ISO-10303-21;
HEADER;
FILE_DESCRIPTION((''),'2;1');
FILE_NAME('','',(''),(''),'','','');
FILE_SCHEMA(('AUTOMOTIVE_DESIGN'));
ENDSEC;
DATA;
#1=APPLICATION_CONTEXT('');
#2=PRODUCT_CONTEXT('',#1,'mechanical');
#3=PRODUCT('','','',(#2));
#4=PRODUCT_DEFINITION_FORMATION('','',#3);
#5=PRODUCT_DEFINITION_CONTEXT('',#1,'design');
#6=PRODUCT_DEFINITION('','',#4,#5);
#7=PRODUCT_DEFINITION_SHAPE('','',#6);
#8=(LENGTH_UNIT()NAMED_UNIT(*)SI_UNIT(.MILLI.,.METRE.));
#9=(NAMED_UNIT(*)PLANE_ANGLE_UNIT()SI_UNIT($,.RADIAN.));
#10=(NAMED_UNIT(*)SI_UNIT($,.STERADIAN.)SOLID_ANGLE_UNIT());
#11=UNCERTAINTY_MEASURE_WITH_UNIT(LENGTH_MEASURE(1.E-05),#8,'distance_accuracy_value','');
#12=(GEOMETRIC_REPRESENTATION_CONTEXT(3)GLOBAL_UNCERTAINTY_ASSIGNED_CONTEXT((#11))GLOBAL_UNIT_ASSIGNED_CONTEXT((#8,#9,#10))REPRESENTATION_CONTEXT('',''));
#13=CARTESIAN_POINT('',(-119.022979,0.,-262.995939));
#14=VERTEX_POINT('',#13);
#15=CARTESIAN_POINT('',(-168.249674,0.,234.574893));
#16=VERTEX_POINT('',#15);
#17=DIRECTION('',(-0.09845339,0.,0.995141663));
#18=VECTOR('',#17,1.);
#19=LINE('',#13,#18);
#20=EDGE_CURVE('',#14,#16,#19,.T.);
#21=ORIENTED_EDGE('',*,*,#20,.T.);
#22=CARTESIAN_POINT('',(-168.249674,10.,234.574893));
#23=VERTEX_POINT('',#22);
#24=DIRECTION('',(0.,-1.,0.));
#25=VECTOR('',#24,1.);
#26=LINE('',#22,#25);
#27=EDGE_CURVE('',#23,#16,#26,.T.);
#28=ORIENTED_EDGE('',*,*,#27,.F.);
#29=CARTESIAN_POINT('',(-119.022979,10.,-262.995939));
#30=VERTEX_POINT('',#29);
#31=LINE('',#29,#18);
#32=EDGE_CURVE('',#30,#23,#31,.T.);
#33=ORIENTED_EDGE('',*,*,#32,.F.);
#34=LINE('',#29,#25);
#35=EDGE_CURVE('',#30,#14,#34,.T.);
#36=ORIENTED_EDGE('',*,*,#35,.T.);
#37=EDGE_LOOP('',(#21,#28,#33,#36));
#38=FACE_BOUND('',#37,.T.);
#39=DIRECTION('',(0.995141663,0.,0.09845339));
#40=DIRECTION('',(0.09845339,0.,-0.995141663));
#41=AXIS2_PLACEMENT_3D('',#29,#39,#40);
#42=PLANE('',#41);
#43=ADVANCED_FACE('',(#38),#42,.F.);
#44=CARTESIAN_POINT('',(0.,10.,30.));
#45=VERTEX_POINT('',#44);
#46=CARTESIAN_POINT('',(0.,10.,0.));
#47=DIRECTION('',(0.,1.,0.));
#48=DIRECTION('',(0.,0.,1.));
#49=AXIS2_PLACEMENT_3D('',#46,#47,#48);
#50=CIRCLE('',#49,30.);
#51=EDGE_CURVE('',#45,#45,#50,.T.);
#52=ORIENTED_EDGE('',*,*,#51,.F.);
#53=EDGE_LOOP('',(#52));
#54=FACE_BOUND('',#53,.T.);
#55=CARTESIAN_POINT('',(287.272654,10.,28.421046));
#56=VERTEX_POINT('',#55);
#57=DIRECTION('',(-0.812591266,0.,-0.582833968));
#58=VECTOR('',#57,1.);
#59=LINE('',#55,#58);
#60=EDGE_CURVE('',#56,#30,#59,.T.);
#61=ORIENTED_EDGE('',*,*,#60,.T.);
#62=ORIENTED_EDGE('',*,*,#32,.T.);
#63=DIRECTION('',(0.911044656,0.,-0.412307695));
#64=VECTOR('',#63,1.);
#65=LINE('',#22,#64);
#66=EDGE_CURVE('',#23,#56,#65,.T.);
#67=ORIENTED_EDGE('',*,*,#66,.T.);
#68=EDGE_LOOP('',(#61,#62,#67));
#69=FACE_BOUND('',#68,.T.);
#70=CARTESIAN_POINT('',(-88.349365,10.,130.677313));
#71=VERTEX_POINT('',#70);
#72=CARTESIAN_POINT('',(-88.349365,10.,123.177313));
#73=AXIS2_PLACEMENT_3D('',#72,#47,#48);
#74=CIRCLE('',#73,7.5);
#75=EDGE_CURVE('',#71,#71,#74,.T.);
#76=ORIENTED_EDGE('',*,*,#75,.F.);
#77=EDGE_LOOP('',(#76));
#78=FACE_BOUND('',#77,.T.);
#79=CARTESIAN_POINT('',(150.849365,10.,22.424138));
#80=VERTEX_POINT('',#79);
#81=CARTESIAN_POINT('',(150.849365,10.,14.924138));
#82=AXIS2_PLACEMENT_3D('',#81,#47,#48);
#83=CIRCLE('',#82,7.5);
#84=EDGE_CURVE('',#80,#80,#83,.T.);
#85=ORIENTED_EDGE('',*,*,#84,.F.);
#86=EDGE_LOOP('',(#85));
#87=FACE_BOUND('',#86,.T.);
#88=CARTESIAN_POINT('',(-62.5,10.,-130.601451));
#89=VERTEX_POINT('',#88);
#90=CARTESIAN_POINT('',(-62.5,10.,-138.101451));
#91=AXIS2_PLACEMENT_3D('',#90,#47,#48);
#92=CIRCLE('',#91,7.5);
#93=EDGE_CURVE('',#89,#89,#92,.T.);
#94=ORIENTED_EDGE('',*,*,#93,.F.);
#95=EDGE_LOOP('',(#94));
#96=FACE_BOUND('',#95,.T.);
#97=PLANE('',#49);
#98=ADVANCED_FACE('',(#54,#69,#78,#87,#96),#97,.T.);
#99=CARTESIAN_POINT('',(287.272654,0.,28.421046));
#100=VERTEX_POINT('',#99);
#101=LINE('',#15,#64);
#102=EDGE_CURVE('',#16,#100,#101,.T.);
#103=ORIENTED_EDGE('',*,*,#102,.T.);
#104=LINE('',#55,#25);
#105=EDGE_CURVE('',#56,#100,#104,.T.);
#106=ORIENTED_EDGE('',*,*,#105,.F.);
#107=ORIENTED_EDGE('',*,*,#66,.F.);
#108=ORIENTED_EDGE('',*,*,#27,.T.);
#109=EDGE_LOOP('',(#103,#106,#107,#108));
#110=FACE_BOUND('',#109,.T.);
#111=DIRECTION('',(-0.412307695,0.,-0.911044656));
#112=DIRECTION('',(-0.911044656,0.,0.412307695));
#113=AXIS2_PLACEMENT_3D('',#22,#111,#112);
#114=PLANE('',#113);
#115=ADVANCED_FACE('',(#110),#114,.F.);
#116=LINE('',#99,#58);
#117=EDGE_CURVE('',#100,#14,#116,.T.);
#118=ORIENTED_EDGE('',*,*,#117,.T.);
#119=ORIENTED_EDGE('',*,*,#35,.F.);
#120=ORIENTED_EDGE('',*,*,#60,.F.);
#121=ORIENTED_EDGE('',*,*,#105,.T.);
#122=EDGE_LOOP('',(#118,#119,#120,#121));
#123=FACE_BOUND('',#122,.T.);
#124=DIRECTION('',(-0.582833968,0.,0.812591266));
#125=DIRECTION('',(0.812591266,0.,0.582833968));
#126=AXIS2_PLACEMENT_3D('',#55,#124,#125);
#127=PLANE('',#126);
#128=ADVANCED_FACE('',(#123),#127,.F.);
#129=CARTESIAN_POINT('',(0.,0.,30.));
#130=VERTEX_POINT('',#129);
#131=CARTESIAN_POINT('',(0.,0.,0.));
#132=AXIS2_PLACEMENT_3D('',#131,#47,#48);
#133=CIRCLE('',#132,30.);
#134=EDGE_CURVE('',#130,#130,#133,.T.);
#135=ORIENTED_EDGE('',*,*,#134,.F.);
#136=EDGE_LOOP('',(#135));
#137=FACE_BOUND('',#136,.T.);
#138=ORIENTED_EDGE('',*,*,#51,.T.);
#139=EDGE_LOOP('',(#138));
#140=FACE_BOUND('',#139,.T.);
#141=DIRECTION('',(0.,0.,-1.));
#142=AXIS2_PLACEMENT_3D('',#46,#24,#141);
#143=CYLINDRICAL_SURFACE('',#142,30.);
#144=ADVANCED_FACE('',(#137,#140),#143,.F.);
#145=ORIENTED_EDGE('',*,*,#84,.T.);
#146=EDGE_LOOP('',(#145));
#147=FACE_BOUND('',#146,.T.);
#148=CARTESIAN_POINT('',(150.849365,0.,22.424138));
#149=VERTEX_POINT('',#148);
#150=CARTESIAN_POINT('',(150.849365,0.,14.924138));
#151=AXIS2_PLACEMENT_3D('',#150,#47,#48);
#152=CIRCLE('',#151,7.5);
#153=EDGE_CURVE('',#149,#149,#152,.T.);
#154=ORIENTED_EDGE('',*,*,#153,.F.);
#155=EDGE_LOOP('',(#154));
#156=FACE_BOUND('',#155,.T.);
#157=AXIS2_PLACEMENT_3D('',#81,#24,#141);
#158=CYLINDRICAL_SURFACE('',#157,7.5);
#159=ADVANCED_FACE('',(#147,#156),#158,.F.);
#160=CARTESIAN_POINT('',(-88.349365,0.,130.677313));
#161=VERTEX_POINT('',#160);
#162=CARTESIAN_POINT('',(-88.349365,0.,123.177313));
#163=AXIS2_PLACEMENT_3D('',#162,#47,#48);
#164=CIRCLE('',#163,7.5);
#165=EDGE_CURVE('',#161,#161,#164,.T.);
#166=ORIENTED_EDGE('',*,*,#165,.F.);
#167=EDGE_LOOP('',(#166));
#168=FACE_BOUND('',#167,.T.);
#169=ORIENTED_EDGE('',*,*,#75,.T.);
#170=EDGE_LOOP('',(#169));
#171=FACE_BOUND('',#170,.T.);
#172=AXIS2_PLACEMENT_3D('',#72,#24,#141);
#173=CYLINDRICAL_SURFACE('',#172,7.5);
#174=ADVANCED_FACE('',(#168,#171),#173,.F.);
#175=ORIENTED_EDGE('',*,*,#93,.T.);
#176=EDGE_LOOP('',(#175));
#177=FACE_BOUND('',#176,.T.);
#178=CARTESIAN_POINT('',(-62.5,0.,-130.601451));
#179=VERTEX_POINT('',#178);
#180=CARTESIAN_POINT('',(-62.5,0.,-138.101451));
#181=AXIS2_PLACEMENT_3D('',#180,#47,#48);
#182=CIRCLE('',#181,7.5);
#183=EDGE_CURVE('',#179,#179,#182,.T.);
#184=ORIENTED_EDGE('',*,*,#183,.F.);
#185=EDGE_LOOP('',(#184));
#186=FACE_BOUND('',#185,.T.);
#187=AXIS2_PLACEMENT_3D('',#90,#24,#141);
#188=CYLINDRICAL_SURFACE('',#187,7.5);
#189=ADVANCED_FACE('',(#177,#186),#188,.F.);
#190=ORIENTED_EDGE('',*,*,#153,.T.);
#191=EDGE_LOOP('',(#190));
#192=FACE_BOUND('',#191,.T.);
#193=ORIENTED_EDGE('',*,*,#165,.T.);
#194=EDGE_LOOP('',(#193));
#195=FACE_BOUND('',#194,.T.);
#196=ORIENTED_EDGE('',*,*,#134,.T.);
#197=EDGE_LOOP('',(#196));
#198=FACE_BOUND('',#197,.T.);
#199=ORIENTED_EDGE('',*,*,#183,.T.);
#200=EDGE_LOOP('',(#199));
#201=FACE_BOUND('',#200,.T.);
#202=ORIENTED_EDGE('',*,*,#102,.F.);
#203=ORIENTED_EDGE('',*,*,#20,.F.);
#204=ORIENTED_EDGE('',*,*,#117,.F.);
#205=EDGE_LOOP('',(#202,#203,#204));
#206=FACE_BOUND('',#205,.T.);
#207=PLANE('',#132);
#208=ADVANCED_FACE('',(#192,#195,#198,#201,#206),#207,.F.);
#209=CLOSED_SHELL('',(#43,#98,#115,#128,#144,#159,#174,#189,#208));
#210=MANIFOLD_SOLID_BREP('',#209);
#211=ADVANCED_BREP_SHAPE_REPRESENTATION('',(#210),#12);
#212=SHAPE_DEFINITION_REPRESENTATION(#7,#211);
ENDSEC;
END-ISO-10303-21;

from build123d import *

# Parameters (mm, degrees)
SKETCH1_R           = 7.5
SKETCH1_R_2         = 30
BOSS_EXTRUDE1_DEPTH = 10


with BuildPart() as part:
    # Sketch1 → Boss-Extrude1 (new body)
    with BuildSketch(Plane(origin=(0, 0, 0), x_dir=(1, 0, 0), z_dir=(0, 1, 0))):
        Polygon((287.272653599, -28.421045507), (-119.022979389, 262.995938582), (-168.24967421, -234.574893076), align=None)
        with Locations((-62.5, 138.101451046)):
            Circle(SKETCH1_R, mode=Mode.SUBTRACT)
        with Locations((150.849364905, -14.924137787)):
            Circle(SKETCH1_R, mode=Mode.SUBTRACT)
        with Locations((-88.349364905, -123.17731326)):
            Circle(SKETCH1_R, mode=Mode.SUBTRACT)
        Circle(SKETCH1_R_2, mode=Mode.SUBTRACT)
    extrude(amount=BOSS_EXTRUDE1_DEPTH)


solid = part.part
